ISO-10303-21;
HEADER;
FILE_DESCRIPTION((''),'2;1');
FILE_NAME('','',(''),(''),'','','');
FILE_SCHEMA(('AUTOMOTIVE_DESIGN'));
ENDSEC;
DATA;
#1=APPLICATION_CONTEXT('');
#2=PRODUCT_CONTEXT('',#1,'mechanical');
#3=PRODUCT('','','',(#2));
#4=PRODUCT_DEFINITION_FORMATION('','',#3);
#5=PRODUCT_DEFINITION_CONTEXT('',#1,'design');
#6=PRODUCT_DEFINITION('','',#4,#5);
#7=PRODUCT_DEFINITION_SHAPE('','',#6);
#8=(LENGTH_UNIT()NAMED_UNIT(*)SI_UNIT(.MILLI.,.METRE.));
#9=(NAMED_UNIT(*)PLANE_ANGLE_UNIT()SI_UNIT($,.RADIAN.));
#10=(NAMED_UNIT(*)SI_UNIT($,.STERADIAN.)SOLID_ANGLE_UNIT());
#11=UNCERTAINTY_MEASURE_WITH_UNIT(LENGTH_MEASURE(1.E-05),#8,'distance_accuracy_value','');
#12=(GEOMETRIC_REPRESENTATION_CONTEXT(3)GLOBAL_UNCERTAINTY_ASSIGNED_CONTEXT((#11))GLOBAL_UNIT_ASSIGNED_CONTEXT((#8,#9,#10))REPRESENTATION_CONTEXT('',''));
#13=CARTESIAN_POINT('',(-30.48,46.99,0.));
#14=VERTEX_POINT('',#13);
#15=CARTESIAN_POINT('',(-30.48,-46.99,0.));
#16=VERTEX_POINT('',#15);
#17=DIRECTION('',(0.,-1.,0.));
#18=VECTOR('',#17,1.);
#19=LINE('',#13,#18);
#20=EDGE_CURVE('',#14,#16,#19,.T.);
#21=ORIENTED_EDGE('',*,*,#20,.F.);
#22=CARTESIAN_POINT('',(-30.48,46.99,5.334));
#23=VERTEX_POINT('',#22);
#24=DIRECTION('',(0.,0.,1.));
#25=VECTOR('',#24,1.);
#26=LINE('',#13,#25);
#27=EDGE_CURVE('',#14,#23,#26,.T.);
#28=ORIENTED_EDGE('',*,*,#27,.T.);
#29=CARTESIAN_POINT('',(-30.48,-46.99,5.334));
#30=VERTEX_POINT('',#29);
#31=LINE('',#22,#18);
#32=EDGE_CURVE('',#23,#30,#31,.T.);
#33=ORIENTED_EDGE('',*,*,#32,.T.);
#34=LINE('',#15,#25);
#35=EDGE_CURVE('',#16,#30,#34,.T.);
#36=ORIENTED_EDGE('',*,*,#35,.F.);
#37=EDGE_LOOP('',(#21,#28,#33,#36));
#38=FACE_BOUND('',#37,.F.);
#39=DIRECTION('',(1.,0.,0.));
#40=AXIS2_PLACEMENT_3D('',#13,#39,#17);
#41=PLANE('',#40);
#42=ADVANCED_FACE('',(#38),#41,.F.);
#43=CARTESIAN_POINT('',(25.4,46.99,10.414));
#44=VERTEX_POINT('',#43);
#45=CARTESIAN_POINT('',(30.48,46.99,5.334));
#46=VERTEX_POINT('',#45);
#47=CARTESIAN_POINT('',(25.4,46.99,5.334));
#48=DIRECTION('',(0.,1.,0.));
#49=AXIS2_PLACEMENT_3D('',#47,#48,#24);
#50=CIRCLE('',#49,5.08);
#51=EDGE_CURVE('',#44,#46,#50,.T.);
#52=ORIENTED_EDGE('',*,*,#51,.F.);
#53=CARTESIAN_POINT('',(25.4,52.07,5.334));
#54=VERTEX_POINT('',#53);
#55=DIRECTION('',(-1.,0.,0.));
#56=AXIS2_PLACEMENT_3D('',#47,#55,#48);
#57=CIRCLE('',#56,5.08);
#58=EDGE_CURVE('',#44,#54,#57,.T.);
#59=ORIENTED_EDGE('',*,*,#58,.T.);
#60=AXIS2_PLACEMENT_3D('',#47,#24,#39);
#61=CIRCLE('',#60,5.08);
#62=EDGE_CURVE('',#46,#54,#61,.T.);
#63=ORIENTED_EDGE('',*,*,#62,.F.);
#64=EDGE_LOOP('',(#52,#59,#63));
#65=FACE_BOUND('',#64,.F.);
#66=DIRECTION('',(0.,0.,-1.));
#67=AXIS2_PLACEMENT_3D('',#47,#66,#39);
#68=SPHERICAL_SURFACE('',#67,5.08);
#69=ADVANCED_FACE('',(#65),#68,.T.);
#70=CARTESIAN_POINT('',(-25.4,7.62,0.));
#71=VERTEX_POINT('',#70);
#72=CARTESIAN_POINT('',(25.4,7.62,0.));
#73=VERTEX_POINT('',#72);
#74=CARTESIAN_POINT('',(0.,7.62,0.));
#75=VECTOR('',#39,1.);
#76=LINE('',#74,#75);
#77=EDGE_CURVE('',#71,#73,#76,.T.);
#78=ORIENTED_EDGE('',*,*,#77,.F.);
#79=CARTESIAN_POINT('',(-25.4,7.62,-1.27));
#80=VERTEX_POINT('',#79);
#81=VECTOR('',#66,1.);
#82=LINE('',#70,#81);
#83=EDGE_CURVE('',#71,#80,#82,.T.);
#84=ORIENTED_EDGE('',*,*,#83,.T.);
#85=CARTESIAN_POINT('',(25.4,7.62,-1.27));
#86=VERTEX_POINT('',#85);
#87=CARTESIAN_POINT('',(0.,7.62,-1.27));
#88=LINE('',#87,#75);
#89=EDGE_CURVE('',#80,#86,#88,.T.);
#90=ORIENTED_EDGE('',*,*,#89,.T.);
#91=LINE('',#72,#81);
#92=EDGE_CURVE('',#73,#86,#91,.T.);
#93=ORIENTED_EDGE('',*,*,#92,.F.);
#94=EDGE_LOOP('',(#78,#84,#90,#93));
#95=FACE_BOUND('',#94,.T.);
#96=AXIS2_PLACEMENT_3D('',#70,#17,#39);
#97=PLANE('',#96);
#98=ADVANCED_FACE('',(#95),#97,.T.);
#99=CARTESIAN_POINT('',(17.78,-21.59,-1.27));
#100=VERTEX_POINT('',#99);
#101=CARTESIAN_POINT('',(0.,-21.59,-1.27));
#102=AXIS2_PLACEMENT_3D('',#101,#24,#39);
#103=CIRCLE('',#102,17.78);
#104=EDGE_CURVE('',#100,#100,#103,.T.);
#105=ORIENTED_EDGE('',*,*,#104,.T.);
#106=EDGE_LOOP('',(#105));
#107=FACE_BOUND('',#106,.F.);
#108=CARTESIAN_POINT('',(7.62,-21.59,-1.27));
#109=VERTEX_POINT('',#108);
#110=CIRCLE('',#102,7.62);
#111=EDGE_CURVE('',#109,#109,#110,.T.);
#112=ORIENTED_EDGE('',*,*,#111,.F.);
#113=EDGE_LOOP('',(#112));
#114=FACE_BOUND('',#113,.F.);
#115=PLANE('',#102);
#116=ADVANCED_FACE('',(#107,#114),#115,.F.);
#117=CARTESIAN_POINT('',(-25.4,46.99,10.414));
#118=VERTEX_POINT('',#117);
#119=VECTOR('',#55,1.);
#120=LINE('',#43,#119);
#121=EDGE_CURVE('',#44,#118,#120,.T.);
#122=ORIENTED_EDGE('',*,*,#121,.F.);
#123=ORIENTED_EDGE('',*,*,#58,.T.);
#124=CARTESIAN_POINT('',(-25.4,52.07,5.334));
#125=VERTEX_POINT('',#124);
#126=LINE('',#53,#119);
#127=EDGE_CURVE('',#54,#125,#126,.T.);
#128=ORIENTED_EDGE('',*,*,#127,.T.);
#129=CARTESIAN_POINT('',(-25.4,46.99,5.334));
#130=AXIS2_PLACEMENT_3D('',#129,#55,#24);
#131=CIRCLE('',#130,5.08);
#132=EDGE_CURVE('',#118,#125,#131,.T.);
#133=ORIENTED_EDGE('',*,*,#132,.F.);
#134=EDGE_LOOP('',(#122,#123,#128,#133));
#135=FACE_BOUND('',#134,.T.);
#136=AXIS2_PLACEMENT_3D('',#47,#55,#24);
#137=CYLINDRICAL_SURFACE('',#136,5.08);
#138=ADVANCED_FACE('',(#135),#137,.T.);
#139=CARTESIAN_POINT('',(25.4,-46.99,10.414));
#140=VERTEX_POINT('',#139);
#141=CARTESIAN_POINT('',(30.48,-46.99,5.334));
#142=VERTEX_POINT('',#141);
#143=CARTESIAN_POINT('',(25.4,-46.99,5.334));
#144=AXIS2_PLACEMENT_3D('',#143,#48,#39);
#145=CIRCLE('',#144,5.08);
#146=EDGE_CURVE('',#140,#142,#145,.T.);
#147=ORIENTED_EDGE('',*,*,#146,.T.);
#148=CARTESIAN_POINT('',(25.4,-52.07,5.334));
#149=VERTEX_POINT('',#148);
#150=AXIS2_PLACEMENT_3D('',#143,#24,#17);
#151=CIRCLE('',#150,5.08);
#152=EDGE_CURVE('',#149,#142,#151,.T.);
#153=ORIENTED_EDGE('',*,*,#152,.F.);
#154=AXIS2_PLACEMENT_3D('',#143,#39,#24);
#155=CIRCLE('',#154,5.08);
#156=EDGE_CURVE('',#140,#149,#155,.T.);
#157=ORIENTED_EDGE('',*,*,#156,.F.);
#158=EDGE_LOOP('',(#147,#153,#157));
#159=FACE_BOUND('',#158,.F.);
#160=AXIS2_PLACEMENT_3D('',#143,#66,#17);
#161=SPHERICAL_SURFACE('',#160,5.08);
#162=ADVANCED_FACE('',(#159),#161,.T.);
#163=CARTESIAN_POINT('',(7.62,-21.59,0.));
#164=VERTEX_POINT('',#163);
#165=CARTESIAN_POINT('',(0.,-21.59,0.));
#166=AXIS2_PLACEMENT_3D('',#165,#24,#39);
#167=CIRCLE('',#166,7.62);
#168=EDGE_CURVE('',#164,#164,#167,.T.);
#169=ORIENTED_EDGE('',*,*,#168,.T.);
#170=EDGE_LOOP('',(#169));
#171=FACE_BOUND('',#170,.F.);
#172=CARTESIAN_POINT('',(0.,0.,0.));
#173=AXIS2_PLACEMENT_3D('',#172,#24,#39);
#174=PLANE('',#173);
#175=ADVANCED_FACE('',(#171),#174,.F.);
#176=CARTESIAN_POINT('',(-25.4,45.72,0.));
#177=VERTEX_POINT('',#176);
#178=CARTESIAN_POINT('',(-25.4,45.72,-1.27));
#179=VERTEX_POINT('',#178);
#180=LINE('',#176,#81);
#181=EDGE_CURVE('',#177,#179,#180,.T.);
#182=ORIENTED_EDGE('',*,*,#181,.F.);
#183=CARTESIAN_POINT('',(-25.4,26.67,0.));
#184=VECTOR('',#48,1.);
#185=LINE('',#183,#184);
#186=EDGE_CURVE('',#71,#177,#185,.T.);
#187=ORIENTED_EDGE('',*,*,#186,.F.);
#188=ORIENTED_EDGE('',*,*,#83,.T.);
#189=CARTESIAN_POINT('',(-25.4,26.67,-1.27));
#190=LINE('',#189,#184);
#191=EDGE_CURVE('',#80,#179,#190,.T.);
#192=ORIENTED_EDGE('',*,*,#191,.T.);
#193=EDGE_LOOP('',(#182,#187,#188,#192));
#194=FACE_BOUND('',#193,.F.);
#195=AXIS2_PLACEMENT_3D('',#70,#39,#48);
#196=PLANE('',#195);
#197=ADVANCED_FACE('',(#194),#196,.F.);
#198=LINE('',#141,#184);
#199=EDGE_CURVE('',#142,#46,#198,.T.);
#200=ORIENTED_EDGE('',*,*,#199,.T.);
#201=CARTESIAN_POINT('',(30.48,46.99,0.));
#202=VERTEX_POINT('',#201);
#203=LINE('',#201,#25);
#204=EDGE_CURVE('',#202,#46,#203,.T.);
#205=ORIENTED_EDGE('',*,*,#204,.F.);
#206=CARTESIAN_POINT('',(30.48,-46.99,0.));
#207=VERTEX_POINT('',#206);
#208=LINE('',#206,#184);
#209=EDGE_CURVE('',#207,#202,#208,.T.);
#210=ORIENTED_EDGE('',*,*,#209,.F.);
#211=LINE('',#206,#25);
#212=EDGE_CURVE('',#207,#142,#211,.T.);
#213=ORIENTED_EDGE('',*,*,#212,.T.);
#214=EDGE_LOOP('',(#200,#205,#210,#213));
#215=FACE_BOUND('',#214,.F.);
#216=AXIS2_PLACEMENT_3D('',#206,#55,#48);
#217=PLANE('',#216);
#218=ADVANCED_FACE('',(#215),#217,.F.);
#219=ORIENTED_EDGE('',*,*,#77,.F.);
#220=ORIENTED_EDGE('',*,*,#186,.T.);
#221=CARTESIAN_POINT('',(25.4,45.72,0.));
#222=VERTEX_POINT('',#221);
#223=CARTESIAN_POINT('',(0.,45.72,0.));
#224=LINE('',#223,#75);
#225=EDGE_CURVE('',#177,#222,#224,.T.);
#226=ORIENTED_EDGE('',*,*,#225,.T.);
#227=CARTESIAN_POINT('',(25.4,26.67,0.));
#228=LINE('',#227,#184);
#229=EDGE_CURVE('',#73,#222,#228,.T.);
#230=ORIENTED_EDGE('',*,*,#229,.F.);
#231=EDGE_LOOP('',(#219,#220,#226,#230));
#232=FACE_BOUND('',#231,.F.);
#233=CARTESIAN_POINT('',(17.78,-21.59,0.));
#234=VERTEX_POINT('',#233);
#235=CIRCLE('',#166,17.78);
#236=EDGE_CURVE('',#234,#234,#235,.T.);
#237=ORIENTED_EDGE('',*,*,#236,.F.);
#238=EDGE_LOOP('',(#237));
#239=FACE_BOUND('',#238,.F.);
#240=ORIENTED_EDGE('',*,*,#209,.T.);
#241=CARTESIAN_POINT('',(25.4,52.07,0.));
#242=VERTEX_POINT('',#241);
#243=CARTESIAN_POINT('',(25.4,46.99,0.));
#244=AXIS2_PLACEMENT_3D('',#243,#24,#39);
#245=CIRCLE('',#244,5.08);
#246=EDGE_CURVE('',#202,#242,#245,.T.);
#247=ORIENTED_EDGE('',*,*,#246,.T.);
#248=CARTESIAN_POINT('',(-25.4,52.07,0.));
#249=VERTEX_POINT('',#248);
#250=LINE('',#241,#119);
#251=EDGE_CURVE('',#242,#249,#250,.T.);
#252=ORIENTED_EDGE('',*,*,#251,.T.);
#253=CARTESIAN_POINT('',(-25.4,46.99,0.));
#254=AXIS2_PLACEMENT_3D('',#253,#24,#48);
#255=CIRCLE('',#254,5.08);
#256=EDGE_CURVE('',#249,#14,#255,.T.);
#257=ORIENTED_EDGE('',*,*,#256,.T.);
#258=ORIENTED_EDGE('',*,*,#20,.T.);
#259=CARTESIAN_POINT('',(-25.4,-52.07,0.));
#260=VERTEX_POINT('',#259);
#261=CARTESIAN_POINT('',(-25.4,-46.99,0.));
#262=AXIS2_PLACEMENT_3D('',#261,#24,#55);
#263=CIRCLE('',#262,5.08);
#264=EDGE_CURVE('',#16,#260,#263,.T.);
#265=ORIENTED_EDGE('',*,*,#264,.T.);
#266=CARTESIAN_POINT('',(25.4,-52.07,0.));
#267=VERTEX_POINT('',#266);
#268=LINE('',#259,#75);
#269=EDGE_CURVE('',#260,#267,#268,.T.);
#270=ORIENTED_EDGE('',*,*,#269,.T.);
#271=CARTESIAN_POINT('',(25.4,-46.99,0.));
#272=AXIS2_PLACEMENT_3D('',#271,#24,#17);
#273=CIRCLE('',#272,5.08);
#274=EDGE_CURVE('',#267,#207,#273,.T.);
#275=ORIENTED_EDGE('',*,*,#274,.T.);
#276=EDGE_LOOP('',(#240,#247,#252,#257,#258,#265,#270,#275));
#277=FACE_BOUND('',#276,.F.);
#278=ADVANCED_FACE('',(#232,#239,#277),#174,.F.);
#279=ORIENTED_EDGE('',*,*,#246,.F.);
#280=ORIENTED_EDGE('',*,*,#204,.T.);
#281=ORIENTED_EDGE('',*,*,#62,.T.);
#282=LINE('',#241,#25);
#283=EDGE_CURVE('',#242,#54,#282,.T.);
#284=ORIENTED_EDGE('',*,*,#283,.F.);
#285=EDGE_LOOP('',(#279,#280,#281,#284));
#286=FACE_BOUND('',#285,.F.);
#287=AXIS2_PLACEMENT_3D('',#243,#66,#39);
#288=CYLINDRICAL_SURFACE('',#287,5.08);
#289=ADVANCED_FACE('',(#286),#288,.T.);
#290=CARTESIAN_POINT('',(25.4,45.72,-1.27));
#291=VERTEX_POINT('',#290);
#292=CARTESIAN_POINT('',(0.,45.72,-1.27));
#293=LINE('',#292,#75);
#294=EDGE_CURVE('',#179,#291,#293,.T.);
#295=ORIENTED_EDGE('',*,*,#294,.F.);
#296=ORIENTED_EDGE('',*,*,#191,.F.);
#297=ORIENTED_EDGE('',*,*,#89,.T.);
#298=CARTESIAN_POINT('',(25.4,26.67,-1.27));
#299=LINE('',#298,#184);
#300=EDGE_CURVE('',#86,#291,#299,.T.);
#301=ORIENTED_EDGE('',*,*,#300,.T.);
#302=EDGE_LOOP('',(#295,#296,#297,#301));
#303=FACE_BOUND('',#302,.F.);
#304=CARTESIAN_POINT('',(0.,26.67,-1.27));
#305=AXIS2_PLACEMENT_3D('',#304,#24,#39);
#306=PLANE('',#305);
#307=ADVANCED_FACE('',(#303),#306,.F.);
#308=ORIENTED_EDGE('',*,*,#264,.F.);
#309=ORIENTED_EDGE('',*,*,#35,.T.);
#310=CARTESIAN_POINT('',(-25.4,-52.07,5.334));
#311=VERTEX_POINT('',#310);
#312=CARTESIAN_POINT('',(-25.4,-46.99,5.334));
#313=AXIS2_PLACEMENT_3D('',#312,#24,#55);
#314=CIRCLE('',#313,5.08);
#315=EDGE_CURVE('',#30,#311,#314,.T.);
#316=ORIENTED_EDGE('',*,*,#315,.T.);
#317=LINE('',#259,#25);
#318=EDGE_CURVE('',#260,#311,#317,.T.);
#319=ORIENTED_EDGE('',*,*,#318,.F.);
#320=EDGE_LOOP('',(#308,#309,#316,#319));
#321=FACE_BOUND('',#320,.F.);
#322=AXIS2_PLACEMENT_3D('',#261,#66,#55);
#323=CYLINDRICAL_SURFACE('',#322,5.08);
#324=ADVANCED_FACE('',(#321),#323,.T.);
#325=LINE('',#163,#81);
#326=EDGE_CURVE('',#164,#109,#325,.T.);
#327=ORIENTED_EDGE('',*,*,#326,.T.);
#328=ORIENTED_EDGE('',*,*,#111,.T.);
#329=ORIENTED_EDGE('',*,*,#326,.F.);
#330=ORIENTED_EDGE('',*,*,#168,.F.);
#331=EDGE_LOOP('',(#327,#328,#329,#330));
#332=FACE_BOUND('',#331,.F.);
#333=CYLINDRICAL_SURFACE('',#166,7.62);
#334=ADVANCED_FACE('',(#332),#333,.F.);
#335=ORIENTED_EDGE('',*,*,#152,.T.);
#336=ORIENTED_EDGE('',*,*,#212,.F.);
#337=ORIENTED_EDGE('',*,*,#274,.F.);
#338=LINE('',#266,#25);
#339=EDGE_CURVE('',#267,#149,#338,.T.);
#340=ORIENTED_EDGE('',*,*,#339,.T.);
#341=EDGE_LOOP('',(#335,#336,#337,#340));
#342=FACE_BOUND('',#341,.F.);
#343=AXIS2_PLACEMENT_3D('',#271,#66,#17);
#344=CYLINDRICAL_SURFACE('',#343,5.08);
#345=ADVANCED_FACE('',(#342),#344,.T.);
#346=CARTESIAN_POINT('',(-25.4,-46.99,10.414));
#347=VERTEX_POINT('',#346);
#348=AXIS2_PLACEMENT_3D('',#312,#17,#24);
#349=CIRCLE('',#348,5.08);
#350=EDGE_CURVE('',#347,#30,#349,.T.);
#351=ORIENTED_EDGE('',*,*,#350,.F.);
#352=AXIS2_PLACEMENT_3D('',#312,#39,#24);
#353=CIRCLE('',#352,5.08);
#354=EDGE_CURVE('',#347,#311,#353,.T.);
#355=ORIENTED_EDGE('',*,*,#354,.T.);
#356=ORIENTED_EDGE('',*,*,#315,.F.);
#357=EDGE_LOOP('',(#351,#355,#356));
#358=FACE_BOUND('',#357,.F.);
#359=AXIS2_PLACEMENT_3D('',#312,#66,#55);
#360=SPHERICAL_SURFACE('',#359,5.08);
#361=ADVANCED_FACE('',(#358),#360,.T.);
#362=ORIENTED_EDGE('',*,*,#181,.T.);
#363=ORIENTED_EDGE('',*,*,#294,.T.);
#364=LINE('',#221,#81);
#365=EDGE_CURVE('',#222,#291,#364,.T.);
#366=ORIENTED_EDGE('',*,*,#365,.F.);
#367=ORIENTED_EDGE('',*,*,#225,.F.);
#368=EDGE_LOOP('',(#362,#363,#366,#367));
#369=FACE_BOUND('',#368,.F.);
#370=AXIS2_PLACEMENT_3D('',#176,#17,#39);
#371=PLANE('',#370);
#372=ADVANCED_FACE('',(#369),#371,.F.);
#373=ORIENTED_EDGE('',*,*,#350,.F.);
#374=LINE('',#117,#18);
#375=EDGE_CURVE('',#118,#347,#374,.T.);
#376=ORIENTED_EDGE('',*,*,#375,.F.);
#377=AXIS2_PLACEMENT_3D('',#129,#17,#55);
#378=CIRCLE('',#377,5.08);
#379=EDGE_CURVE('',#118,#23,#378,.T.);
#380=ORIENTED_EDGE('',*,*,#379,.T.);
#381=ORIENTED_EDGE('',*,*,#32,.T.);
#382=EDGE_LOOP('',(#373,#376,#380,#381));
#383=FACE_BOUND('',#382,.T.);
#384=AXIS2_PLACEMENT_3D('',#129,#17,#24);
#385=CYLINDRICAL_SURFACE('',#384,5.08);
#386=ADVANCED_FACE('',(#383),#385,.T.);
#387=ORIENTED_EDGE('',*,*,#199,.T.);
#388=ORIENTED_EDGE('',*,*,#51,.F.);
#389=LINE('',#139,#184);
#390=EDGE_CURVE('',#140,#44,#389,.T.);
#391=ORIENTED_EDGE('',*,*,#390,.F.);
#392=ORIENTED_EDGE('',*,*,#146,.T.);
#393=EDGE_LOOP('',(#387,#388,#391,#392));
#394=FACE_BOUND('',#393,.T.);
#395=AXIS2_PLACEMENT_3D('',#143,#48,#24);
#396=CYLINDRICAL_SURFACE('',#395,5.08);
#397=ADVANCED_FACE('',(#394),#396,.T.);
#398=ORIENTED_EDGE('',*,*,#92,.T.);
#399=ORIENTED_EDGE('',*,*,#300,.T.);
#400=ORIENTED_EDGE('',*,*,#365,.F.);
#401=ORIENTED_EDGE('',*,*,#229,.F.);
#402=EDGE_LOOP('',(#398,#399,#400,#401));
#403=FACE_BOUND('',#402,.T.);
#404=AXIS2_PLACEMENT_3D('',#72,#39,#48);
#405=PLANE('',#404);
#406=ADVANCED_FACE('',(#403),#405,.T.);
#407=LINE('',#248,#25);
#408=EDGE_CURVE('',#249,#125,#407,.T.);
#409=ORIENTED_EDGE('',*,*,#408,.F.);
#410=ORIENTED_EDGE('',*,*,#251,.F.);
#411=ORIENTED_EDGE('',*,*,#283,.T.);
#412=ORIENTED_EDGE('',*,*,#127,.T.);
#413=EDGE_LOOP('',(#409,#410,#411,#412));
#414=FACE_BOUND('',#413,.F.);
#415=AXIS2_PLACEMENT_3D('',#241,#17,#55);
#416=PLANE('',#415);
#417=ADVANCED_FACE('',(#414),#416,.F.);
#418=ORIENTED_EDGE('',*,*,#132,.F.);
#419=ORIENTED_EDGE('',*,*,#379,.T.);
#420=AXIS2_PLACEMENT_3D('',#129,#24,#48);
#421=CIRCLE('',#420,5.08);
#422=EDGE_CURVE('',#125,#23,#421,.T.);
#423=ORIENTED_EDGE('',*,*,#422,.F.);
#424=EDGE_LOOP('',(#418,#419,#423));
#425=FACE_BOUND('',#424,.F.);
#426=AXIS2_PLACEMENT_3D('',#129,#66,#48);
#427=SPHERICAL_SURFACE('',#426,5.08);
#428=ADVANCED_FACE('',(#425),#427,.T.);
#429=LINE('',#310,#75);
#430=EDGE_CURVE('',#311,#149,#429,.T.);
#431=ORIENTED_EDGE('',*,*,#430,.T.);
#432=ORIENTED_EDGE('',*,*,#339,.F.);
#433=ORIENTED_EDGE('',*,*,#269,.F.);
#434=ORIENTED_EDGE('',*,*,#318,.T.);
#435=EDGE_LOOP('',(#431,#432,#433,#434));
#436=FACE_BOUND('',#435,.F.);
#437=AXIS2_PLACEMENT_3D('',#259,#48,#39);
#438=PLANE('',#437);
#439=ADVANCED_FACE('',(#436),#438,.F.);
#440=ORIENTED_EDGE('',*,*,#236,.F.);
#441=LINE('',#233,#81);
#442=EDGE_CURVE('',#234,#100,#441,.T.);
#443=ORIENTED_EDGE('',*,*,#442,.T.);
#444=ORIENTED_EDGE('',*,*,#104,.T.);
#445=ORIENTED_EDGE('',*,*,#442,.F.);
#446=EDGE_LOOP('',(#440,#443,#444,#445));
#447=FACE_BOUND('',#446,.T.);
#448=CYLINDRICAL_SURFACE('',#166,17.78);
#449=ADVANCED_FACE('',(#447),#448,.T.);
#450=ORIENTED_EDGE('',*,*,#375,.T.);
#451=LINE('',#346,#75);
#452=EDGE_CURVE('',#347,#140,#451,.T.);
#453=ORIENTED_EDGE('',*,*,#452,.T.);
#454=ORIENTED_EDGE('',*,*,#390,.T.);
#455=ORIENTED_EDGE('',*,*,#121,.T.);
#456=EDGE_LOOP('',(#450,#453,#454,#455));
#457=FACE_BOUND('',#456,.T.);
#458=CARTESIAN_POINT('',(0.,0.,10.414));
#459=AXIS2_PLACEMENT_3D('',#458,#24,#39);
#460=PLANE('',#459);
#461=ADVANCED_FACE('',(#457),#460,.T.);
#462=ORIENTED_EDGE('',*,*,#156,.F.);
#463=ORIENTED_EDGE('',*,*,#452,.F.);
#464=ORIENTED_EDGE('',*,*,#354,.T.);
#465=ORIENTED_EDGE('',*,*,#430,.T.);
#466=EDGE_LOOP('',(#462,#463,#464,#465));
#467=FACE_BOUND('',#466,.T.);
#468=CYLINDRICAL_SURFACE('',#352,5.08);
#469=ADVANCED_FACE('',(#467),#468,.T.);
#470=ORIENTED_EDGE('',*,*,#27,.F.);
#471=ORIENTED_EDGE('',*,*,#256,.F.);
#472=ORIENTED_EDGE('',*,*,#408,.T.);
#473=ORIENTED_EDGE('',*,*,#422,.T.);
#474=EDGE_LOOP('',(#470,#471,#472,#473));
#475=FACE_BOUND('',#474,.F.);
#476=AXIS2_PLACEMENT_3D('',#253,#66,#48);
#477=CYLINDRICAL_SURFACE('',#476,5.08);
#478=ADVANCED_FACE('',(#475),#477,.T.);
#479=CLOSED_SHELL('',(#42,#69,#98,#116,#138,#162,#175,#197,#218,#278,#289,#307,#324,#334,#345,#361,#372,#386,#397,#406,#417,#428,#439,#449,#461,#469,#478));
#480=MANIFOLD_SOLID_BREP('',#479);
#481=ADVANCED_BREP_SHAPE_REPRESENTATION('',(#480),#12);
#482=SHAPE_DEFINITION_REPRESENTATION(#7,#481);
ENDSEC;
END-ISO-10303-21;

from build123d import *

# Parameters (mm, degrees)
F0_R     = 17.78
F0_W     = 50.8
F0_H     = 38.1
F0_R_2   = 7.62
F1_DEPTH = 10.414
F2_DEPTH = 1.27
F3_R     = 5.08


with BuildPart() as f1:
    # F0 (on Top) → F1 (new body)
    with BuildSketch(Plane.XY):
        with BuildLine():
            Line((25.4, 52.07), (-25.4, 52.07))
            ThreePointArc((-25.4, 52.07), (-28.9921024484, 50.5821024484), (-30.48, 46.99))
            Line((-30.48, 46.99), (-30.48, -46.99))
            ThreePointArc((-30.48, -46.99), (-28.9921024484, -50.5821024484), (-25.4, -52.07))
            Line((-25.4, -52.07), (25.4, -52.07))
            ThreePointArc((25.4, -52.07), (28.9921024484, -50.5821024484), (30.48, -46.99))
            Line((30.48, -46.99), (30.48, 46.99))
            ThreePointArc((30.48, 46.99), (28.9921024484, 50.5821024484), (25.4, 52.07))
        make_face()
        with Locations((0, -21.59)):
            Circle(F0_R, mode=Mode.SUBTRACT)
        with Locations((0, 26.67)):
            Rectangle(F0_W, F0_H, mode=Mode.SUBTRACT)
        with Locations((0, 26.67)):
            Rectangle(F0_W, F0_H)
        with Locations((0, -21.59)):
            Circle(F0_R)
        with Locations((0, -21.59)):
            Circle(F0_R_2, mode=Mode.SUBTRACT)
        with Locations((0, -21.59)):
            Circle(F0_R_2)
    extrude(amount=F1_DEPTH)

    # F0 (on Top) → F2 (join)
    with BuildSketch(Plane.XY):
        with Locations((0, -21.59)):
            Circle(F0_R)
        with Locations((0, -21.59)):
            Circle(F0_R_2, mode=Mode.SUBTRACT)
        with Locations((0, 26.67)):
            Rectangle(F0_W, F0_H)
    extrude(amount=-F2_DEPTH)

    # F3
    f3_edges = [f1.edges().sort_by_distance(p)[0] for p in [
        (0, -52.07, 10.414),
        (0, 52.07, 10.414),
    ]]
    fillet(f3_edges, radius=F3_R)


solid = f1.part
